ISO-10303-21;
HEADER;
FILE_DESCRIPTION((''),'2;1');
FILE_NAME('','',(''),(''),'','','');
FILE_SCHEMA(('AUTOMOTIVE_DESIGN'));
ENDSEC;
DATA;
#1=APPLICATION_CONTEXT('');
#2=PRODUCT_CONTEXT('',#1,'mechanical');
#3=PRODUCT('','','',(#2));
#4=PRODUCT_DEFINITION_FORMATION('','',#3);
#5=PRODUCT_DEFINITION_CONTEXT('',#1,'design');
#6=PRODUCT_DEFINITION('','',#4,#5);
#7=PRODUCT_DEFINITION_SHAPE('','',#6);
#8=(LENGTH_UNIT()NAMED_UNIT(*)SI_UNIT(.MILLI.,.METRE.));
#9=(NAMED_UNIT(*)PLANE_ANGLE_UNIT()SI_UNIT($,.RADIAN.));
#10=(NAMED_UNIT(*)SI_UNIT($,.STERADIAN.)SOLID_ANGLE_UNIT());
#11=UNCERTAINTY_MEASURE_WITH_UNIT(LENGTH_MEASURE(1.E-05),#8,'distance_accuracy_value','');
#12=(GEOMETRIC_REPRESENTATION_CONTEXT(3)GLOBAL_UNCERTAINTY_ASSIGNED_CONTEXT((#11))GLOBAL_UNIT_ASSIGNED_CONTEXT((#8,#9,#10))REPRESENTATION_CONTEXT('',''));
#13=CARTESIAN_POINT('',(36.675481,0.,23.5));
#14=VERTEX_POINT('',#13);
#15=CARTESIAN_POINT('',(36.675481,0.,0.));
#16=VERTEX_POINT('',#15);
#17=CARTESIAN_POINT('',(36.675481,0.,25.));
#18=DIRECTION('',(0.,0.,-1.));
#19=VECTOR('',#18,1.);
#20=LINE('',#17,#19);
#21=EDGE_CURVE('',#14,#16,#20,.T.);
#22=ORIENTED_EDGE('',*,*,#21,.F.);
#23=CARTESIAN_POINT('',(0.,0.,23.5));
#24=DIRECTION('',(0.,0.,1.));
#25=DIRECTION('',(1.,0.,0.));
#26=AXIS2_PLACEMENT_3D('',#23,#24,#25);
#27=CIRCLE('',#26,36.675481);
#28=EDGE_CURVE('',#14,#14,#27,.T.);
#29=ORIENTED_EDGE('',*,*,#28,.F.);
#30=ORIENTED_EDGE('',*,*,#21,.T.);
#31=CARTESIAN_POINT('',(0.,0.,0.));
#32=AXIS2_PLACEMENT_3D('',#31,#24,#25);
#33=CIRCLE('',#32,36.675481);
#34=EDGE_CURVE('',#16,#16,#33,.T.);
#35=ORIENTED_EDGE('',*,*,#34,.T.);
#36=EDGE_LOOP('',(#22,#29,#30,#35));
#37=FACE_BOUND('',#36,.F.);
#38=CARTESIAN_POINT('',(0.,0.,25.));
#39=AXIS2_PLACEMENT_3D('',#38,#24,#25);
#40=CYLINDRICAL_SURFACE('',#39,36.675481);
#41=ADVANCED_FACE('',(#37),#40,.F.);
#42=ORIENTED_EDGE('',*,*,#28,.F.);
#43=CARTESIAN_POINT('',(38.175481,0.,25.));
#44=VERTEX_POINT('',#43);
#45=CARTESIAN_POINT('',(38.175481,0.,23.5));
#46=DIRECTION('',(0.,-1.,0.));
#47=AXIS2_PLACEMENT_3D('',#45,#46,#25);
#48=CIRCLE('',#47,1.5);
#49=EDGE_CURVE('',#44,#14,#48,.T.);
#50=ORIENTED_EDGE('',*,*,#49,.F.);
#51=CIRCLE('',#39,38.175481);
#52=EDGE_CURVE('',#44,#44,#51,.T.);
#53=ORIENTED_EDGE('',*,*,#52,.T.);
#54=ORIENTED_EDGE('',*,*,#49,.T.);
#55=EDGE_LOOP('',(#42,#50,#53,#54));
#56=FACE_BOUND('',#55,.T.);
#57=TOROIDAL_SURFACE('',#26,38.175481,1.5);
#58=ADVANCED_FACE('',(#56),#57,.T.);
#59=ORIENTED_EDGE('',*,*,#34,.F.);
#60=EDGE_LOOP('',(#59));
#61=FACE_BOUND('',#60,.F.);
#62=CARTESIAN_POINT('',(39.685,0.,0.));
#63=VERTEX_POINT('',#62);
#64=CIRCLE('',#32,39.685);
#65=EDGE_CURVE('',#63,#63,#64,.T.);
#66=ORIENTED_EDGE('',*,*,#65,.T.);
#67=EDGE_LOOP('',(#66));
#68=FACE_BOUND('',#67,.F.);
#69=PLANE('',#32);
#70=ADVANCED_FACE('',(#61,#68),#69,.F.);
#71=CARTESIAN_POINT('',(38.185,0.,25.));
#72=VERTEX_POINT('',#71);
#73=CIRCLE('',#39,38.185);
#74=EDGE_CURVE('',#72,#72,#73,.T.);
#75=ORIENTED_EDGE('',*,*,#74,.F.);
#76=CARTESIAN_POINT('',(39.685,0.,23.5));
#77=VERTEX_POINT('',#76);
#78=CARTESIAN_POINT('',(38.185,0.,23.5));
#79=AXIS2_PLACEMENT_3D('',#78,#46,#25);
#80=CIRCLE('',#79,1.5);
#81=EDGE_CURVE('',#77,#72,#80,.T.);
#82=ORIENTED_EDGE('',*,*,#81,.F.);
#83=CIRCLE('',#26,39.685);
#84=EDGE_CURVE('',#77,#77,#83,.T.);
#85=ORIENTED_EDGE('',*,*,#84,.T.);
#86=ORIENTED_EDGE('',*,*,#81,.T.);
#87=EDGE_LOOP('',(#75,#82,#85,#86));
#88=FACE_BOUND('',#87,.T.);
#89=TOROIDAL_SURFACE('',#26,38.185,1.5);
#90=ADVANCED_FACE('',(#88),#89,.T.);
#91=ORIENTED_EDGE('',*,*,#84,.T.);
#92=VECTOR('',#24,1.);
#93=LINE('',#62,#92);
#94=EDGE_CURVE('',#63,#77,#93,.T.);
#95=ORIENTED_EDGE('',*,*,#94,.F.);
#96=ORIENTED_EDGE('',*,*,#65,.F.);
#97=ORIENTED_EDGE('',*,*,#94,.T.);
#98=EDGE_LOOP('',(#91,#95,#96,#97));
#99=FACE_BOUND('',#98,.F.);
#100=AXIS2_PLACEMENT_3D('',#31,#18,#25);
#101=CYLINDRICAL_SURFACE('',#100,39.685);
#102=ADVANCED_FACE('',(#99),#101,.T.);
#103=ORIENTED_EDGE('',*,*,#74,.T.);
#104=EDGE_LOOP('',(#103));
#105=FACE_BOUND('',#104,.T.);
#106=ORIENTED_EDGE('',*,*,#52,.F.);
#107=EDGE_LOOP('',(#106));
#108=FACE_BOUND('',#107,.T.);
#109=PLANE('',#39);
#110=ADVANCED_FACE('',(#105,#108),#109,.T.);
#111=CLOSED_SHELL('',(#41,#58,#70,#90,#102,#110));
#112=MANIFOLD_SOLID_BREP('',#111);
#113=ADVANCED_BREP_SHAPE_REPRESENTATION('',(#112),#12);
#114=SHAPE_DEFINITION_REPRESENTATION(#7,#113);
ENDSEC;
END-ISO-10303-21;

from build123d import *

# Parameters (mm, degrees)
F0_R     = 39.685
F1_DEPTH = 25
F2_R     = 36.675481
F3_DEPTH = 25
F4_R     = 1.5


with BuildPart() as f1:
    # F0 (on Top) → F1 (new body)
    with BuildSketch(Plane.XY):
        Circle(F0_R)
    extrude(amount=F1_DEPTH)

    # F2 (on face) → F3 (cut)
    with BuildSketch(Plane.XY.offset(25)):
        Circle(F2_R)
    extrude(amount=-F3_DEPTH, mode=Mode.SUBTRACT)

    # F4
    f4_edges = [f1.edges().sort_by_distance(p)[0] for p in [
        (-36.675481, 0, 25),
        (-39.685, 0, 25),
    ]]
    fillet(f4_edges, radius=F4_R)


solid = f1.part
